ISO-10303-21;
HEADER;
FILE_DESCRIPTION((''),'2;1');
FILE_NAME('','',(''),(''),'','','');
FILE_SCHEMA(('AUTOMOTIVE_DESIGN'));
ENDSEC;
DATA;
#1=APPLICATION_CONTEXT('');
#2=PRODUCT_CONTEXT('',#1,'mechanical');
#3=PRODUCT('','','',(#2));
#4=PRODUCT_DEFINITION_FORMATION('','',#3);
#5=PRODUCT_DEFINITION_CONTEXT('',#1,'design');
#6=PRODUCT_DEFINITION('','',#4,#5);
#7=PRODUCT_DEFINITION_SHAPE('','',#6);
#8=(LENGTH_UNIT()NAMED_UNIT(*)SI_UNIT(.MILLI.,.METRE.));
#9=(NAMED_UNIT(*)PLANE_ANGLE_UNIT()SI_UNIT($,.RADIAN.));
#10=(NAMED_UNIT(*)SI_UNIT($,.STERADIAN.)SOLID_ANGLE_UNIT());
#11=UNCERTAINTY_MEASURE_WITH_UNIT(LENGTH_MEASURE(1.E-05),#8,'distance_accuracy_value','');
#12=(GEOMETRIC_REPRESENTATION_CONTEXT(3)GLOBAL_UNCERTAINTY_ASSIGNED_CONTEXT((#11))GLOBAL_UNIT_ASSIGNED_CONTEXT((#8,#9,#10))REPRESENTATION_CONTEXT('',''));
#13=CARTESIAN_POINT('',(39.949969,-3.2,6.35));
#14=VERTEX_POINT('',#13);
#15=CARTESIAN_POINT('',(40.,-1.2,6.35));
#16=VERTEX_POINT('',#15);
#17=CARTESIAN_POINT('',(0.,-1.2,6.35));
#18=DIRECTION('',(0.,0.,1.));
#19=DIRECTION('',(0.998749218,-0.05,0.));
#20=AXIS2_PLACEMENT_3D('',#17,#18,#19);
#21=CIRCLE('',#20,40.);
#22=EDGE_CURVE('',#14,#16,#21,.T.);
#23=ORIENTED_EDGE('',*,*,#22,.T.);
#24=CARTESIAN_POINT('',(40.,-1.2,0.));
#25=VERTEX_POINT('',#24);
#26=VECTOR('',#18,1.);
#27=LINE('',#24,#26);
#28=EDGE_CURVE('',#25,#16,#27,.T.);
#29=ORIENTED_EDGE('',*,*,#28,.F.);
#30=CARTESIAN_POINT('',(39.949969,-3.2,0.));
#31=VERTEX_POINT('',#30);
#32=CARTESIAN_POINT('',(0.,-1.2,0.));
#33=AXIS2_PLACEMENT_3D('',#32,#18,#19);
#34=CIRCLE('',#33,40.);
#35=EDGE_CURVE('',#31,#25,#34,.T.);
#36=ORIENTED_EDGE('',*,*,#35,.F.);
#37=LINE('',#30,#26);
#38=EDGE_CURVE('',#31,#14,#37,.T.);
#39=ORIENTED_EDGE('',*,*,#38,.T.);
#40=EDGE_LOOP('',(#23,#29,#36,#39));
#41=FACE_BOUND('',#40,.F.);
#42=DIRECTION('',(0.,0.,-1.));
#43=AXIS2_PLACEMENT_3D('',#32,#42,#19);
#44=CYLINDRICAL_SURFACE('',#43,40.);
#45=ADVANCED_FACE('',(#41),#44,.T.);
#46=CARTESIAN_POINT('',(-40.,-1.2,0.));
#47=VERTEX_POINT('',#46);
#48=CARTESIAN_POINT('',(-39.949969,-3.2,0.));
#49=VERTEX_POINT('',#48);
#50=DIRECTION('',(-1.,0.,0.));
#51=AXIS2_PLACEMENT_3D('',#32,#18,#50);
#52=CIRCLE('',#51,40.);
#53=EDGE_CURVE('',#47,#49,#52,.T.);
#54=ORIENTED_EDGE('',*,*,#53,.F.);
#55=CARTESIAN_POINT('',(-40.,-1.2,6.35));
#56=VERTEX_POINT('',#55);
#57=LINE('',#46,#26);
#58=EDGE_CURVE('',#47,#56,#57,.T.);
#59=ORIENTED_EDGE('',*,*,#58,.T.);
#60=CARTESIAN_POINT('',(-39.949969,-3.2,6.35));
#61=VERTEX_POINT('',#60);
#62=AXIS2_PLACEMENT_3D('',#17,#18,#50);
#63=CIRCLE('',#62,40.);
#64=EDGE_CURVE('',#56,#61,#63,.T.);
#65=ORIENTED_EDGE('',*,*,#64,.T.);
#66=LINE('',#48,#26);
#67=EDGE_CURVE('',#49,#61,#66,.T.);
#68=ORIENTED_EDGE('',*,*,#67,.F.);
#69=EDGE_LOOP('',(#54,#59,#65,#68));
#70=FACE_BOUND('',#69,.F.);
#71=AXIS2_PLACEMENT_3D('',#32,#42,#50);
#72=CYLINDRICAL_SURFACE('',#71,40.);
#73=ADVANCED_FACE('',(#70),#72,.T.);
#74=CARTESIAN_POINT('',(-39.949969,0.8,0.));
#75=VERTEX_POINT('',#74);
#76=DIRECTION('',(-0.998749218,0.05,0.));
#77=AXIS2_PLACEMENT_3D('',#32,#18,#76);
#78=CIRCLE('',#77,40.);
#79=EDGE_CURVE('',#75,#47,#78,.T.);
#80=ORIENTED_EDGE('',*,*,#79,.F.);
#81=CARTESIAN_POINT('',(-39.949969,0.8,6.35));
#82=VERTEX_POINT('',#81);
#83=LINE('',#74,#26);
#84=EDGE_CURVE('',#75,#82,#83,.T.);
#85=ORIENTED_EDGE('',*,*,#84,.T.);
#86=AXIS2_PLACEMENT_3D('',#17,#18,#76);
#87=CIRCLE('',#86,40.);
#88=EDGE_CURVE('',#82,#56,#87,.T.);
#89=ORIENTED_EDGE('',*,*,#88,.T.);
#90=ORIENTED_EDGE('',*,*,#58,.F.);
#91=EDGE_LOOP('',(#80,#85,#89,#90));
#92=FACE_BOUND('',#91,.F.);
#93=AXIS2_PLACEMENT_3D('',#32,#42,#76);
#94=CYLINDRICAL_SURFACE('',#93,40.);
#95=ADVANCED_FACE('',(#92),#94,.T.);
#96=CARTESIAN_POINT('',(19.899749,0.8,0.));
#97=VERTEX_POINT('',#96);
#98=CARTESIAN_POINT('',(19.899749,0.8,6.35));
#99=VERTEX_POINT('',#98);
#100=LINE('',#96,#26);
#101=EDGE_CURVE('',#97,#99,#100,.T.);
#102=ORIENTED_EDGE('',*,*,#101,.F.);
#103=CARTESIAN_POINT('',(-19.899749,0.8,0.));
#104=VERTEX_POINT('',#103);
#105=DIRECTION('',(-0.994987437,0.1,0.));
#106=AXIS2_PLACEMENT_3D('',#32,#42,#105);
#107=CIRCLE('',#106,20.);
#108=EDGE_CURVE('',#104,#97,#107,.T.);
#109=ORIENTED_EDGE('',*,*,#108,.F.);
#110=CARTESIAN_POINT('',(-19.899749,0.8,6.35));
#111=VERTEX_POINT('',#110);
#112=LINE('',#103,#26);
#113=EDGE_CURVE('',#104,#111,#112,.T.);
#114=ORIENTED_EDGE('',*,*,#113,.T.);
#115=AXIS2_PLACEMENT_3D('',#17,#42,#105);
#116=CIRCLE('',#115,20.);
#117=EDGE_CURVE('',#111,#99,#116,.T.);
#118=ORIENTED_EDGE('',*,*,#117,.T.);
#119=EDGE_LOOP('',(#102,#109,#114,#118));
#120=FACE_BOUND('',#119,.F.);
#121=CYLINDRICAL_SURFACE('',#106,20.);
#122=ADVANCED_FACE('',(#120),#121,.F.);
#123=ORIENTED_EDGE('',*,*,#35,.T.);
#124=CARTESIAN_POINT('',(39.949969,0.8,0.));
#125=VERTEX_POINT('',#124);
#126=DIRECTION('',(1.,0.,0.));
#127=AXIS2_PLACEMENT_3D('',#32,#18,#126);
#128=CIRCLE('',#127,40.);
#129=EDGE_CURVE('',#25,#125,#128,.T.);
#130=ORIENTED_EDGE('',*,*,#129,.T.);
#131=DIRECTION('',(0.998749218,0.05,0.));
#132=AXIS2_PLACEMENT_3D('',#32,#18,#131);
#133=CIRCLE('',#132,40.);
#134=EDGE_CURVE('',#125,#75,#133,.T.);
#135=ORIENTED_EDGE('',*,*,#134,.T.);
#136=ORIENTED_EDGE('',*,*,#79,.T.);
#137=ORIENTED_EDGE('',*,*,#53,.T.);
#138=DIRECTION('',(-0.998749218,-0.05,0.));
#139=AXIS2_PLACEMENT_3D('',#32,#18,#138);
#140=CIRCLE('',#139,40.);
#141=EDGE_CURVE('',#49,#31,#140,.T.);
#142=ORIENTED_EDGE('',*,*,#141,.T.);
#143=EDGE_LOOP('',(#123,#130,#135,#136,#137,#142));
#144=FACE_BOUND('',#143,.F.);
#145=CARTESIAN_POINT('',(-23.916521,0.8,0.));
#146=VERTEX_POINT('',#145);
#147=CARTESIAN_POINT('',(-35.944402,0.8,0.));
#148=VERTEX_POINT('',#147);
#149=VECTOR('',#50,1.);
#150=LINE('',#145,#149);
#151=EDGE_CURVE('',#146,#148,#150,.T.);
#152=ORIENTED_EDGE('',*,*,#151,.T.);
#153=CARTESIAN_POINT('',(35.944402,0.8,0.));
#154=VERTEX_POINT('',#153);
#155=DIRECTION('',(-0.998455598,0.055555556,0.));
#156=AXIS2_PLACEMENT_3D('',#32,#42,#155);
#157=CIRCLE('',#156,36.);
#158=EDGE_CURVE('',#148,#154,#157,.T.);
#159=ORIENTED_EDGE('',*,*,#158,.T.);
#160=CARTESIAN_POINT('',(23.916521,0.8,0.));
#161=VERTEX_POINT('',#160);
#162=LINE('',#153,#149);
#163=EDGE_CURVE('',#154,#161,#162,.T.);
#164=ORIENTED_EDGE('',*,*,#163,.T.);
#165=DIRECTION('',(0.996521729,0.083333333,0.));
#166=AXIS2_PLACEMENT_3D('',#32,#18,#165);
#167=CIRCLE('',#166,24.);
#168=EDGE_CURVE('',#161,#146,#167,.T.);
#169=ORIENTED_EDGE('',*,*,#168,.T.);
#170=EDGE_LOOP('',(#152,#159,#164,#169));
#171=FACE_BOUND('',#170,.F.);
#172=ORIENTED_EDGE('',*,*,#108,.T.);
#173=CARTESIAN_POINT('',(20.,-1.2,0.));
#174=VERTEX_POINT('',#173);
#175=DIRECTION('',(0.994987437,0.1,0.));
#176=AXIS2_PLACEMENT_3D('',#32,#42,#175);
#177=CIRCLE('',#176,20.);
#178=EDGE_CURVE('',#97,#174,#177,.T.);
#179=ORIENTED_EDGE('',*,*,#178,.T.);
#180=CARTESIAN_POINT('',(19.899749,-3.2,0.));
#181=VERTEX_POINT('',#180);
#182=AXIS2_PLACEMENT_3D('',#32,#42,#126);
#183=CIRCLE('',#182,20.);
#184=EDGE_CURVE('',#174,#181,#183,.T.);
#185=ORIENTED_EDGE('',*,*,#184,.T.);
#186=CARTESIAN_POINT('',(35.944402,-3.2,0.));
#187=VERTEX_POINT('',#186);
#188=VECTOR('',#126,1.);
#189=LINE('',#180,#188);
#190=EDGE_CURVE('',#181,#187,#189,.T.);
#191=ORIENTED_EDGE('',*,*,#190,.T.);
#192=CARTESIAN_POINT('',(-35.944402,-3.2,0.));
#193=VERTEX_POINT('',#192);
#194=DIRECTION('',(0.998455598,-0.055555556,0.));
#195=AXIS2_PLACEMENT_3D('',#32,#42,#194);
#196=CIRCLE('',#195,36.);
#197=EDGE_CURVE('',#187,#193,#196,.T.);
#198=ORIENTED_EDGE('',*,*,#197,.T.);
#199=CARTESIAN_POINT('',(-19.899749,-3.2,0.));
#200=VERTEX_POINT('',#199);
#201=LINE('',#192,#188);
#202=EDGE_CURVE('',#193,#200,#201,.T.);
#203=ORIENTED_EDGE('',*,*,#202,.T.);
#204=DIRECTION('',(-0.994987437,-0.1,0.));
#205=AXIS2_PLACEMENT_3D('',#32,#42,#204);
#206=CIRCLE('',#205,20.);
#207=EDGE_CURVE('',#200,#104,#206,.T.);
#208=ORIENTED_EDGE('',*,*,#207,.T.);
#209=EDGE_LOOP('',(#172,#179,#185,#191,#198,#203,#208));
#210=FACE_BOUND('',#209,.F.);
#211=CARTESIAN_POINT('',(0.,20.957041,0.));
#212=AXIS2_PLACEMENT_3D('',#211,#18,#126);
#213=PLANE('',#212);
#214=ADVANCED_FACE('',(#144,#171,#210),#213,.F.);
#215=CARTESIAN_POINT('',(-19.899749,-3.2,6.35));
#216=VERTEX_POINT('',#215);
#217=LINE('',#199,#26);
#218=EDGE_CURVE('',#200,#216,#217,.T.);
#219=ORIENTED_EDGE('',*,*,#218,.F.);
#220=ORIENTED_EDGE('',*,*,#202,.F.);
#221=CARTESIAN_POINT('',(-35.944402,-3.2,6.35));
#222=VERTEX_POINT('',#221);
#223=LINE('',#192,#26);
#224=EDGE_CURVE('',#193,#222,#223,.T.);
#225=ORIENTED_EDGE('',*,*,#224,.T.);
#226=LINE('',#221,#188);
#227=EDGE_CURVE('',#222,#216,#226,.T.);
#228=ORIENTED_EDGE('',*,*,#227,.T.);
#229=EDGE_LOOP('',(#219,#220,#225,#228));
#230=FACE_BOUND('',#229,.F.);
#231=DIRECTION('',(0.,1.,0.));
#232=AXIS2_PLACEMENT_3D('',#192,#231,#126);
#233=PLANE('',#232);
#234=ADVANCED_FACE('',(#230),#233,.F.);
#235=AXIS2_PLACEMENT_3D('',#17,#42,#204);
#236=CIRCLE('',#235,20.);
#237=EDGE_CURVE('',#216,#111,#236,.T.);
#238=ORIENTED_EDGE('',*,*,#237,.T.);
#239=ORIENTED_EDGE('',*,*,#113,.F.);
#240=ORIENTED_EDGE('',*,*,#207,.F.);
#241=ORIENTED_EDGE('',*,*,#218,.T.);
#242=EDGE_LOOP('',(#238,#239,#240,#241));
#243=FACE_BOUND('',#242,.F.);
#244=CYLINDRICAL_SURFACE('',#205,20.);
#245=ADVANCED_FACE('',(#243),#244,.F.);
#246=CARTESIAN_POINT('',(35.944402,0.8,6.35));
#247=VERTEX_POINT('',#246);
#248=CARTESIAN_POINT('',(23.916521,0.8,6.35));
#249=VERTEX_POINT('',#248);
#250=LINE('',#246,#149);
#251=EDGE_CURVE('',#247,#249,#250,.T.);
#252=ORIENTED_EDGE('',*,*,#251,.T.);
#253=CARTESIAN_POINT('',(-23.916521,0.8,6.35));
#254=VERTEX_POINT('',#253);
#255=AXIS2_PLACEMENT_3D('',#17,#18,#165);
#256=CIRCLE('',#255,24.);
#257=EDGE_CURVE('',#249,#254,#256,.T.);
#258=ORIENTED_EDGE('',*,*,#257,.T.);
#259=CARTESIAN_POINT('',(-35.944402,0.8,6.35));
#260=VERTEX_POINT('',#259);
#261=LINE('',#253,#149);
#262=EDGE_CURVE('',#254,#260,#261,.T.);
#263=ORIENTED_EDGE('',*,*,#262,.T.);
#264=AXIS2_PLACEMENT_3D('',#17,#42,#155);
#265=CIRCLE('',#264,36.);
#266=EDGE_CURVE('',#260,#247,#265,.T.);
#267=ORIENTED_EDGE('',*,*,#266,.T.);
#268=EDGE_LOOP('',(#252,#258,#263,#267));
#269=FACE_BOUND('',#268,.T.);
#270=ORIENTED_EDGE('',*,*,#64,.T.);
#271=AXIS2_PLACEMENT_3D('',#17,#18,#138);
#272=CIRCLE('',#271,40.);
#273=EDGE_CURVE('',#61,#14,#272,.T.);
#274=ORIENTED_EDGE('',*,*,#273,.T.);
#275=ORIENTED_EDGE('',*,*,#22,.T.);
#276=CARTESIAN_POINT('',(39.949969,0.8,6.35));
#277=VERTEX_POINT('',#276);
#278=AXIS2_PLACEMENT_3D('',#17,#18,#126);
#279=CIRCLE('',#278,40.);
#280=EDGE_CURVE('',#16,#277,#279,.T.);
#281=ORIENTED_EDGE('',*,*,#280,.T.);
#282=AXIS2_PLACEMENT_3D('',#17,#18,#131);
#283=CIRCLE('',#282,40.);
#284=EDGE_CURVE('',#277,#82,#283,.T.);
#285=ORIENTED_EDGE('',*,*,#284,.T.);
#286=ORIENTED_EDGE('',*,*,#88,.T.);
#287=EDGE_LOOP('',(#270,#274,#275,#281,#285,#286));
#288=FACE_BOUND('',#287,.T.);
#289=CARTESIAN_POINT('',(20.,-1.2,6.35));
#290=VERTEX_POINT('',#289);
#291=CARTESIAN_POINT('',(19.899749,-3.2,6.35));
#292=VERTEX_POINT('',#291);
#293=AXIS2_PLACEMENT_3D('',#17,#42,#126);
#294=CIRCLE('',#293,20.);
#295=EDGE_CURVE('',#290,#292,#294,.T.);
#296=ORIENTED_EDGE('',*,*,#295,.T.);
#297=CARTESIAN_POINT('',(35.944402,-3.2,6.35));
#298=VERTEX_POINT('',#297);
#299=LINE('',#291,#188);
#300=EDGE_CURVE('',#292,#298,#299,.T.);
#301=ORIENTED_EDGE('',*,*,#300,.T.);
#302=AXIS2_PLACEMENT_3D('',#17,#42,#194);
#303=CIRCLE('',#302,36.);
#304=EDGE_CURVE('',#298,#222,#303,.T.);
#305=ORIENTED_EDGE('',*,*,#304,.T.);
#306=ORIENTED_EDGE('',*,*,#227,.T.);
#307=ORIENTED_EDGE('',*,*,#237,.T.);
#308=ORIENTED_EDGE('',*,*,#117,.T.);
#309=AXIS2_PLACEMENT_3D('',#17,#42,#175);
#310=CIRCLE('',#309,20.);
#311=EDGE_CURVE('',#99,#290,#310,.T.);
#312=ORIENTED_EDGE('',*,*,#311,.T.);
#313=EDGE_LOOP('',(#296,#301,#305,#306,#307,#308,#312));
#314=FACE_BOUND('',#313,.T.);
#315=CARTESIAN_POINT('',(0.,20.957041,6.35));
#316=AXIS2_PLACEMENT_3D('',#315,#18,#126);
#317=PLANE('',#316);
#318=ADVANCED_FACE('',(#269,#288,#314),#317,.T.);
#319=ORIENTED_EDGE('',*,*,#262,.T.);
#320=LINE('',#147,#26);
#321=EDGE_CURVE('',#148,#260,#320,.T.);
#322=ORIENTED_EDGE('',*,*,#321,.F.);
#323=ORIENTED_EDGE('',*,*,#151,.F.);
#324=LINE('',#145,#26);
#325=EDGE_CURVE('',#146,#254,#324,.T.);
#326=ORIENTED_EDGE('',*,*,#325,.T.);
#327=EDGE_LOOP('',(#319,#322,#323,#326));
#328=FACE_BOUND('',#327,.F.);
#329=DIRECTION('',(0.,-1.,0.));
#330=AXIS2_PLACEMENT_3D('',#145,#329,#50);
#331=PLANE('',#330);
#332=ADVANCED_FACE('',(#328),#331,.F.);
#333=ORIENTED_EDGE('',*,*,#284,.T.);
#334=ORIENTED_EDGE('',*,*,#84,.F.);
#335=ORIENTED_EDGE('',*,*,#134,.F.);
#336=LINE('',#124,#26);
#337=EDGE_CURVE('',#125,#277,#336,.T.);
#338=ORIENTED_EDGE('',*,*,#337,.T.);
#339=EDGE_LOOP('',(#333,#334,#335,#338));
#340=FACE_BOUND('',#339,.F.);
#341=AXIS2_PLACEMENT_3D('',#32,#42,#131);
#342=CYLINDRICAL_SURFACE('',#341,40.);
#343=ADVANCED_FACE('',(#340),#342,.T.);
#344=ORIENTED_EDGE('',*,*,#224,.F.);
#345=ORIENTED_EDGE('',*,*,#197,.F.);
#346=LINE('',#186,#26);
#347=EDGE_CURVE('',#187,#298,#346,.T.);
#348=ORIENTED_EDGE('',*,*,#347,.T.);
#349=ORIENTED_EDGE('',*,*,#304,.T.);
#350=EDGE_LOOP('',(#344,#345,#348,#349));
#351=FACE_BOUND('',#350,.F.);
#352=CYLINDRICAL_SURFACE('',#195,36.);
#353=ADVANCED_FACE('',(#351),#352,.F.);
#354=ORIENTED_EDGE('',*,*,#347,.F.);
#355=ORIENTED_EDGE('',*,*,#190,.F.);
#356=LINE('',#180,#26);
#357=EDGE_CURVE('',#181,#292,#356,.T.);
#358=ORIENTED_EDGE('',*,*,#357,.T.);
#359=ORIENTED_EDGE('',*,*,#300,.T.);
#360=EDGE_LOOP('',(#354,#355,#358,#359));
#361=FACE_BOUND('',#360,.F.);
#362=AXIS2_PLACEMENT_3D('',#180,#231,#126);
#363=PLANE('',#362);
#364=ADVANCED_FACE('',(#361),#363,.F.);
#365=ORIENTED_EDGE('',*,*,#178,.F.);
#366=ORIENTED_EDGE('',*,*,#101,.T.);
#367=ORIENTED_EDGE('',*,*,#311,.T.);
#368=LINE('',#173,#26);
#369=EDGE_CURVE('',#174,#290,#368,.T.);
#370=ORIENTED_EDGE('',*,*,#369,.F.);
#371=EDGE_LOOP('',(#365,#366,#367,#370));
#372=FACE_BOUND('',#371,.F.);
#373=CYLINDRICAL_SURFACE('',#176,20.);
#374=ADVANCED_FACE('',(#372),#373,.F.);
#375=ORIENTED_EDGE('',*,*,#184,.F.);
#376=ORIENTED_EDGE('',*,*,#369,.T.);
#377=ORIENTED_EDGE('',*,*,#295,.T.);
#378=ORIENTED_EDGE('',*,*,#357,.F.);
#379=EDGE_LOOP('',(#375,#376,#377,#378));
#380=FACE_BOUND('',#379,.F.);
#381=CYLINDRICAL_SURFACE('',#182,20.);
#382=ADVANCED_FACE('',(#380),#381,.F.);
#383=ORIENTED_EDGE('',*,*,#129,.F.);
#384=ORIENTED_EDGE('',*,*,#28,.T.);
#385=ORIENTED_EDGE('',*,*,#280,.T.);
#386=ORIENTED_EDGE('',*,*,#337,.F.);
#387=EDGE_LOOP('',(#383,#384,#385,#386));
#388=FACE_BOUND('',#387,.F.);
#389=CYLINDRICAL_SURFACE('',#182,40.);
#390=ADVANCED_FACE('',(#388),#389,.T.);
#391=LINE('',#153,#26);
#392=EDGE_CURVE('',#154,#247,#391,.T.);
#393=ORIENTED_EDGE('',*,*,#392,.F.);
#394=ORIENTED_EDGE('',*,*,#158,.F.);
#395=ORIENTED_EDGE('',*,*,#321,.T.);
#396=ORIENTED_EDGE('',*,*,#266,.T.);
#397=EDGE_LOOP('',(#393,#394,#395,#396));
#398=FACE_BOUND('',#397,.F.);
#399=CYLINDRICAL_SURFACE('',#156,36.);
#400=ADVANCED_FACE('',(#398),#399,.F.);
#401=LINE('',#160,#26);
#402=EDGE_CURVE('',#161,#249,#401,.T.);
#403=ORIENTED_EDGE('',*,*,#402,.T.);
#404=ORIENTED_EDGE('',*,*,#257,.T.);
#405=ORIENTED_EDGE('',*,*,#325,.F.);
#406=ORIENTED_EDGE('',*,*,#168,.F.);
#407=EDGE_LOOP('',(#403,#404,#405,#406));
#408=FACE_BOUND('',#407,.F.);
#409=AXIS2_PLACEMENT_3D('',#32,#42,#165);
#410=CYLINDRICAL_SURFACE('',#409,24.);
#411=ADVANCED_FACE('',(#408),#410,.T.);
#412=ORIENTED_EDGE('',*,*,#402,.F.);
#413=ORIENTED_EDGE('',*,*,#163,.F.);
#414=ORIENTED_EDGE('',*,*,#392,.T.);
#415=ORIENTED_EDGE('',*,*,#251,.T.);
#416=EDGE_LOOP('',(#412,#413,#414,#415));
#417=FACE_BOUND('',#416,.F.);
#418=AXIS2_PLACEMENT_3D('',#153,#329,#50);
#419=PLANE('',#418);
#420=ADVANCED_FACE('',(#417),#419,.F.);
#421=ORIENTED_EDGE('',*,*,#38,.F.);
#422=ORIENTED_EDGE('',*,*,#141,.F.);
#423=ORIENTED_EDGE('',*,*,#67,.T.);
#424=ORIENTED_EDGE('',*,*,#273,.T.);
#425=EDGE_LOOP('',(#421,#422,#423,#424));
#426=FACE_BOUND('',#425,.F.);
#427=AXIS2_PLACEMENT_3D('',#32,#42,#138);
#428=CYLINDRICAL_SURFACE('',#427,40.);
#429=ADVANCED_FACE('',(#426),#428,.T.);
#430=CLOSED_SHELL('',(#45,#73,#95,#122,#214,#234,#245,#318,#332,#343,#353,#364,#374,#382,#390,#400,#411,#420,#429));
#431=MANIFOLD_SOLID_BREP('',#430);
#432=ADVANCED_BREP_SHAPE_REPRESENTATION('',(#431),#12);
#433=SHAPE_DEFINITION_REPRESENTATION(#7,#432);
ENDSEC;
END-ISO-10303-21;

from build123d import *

# Parameters (mm, degrees)
F1_DEPTH = 6.35


with BuildPart() as f1:
    # F0 (on Top) → F1 (new body)
    with BuildSketch(Plane.XY):
        with BuildLine():
            Line((35.9444015112, 0.8), (39.9499687109, 0.8))
            ThreePointArc((39.9499687109, 0.8), (0, 38.8), (-39.9499687109, 0.8))
            Line((-39.9499687109, 0.8), (-35.9444015112, 0.8))
            ThreePointArc((-35.9444015112, 0.8), (0, 34.8), (35.9444015112, 0.8))
        make_face()
        with BuildLine():
            Line((-35.9444015112, 0.8), (-39.9499687109, 0.8))
            ThreePointArc((-39.9499687109, 0.8), (-39.9874902215, -0.1996871577), (-40, -1.2))
            ThreePointArc((-40, -1.2), (-39.9874902215, -2.2003128423), (-39.9499687109, -3.2))
            Line((-39.9499687109, -3.2), (-35.9444015112, -3.2))
            ThreePointArc((-35.9444015112, -3.2), (-36, -1.2), (-35.9444015112, 0.8))
        make_face()
        with BuildLine():
            ThreePointArc((-39.9499687109, -3.2), (0, -41.2), (39.9499687109, -3.2))
            Line((39.9499687109, -3.2), (35.9444015112, -3.2))
            ThreePointArc((35.9444015112, -3.2), (0, -37.2), (-35.9444015112, -3.2))
            Line((-35.9444015112, -3.2), (-39.9499687109, -3.2))
        make_face()
        with BuildLine():
            ThreePointArc((39.9499687109, -3.2), (39.9874902215, -2.2003128423), (40, -1.2))
            ThreePointArc((40, -1.2), (39.9874902215, -0.1996871577), (39.9499687109, 0.8))
            Line((39.9499687109, 0.8), (35.9444015112, 0.8))
            ThreePointArc((35.9444015112, 0.8), (35.9860976934, -0.1996136756), (36, -1.2))
            ThreePointArc((36, -1.2), (35.9860976934, -2.2003863244), (35.9444015112, -3.2))
            Line((35.9444015112, -3.2), (39.9499687109, -3.2))
        make_face()
        with BuildLine():
            ThreePointArc((36, -1.2), (35.9860976934, -0.1996136756), (35.9444015112, 0.8))
            Line((35.9444015112, 0.8), (23.9165214862, 0.8))
            ThreePointArc((23.9165214862, 0.8), (23.9791212899, -0.1991292963), (24, -1.2))
            ThreePointArc((24, -1.2), (23.9791212899, -2.2008707037), (23.9165214862, -3.2))
            Line((23.9165214862, -3.2), (35.9444015112, -3.2))
            ThreePointArc((35.9444015112, -3.2), (35.9860976934, -2.2003863244), (36, -1.2))
        make_face()
        with BuildLine():
            ThreePointArc((24, -1.2), (23.9791212899, -0.1991292963), (23.9165214862, 0.8))
            Line((23.9165214862, 0.8), (19.8997487421, 0.8))
            ThreePointArc((19.8997487421, 0.8), (19.9749214622, -0.1987444988), (20, -1.2))
            ThreePointArc((20, -1.2), (19.9749214622, -2.2012555012), (19.8997487421, -3.2))
            Line((19.8997487421, -3.2), (23.9165214862, -3.2))
            ThreePointArc((23.9165214862, -3.2), (23.9791212899, -2.2008707037), (24, -1.2))
        make_face()
        with BuildLine():
            Line((19.8997487421, 0.8), (23.9165214862, 0.8))
            ThreePointArc((23.9165214862, 0.8), (0, 22.8), (-23.9165214862, 0.8))
            Line((-23.9165214862, 0.8), (-19.8997487421, 0.8))
            ThreePointArc((-19.8997487421, 0.8), (0, 18.8), (19.8997487421, 0.8))
        make_face()
        with BuildLine():
            Line((-19.8997487421, 0.8), (-23.9165214862, 0.8))
            ThreePointArc((-23.9165214862, 0.8), (-24, -1.2), (-23.9165214862, -3.2))
            Line((-23.9165214862, -3.2), (-19.8997487421, -3.2))
            ThreePointArc((-19.8997487421, -3.2), (-20, -1.2), (-19.8997487421, 0.8))
        make_face()
        with BuildLine():
            Line((-23.9165214862, 0.8), (-35.9444015112, 0.8))
            ThreePointArc((-35.9444015112, 0.8), (-36, -1.2), (-35.9444015112, -3.2))
            Line((-35.9444015112, -3.2), (-23.9165214862, -3.2))
            ThreePointArc((-23.9165214862, -3.2), (-24, -1.2), (-23.9165214862, 0.8))
        make_face()
    extrude(amount=F1_DEPTH)


solid = f1.part
